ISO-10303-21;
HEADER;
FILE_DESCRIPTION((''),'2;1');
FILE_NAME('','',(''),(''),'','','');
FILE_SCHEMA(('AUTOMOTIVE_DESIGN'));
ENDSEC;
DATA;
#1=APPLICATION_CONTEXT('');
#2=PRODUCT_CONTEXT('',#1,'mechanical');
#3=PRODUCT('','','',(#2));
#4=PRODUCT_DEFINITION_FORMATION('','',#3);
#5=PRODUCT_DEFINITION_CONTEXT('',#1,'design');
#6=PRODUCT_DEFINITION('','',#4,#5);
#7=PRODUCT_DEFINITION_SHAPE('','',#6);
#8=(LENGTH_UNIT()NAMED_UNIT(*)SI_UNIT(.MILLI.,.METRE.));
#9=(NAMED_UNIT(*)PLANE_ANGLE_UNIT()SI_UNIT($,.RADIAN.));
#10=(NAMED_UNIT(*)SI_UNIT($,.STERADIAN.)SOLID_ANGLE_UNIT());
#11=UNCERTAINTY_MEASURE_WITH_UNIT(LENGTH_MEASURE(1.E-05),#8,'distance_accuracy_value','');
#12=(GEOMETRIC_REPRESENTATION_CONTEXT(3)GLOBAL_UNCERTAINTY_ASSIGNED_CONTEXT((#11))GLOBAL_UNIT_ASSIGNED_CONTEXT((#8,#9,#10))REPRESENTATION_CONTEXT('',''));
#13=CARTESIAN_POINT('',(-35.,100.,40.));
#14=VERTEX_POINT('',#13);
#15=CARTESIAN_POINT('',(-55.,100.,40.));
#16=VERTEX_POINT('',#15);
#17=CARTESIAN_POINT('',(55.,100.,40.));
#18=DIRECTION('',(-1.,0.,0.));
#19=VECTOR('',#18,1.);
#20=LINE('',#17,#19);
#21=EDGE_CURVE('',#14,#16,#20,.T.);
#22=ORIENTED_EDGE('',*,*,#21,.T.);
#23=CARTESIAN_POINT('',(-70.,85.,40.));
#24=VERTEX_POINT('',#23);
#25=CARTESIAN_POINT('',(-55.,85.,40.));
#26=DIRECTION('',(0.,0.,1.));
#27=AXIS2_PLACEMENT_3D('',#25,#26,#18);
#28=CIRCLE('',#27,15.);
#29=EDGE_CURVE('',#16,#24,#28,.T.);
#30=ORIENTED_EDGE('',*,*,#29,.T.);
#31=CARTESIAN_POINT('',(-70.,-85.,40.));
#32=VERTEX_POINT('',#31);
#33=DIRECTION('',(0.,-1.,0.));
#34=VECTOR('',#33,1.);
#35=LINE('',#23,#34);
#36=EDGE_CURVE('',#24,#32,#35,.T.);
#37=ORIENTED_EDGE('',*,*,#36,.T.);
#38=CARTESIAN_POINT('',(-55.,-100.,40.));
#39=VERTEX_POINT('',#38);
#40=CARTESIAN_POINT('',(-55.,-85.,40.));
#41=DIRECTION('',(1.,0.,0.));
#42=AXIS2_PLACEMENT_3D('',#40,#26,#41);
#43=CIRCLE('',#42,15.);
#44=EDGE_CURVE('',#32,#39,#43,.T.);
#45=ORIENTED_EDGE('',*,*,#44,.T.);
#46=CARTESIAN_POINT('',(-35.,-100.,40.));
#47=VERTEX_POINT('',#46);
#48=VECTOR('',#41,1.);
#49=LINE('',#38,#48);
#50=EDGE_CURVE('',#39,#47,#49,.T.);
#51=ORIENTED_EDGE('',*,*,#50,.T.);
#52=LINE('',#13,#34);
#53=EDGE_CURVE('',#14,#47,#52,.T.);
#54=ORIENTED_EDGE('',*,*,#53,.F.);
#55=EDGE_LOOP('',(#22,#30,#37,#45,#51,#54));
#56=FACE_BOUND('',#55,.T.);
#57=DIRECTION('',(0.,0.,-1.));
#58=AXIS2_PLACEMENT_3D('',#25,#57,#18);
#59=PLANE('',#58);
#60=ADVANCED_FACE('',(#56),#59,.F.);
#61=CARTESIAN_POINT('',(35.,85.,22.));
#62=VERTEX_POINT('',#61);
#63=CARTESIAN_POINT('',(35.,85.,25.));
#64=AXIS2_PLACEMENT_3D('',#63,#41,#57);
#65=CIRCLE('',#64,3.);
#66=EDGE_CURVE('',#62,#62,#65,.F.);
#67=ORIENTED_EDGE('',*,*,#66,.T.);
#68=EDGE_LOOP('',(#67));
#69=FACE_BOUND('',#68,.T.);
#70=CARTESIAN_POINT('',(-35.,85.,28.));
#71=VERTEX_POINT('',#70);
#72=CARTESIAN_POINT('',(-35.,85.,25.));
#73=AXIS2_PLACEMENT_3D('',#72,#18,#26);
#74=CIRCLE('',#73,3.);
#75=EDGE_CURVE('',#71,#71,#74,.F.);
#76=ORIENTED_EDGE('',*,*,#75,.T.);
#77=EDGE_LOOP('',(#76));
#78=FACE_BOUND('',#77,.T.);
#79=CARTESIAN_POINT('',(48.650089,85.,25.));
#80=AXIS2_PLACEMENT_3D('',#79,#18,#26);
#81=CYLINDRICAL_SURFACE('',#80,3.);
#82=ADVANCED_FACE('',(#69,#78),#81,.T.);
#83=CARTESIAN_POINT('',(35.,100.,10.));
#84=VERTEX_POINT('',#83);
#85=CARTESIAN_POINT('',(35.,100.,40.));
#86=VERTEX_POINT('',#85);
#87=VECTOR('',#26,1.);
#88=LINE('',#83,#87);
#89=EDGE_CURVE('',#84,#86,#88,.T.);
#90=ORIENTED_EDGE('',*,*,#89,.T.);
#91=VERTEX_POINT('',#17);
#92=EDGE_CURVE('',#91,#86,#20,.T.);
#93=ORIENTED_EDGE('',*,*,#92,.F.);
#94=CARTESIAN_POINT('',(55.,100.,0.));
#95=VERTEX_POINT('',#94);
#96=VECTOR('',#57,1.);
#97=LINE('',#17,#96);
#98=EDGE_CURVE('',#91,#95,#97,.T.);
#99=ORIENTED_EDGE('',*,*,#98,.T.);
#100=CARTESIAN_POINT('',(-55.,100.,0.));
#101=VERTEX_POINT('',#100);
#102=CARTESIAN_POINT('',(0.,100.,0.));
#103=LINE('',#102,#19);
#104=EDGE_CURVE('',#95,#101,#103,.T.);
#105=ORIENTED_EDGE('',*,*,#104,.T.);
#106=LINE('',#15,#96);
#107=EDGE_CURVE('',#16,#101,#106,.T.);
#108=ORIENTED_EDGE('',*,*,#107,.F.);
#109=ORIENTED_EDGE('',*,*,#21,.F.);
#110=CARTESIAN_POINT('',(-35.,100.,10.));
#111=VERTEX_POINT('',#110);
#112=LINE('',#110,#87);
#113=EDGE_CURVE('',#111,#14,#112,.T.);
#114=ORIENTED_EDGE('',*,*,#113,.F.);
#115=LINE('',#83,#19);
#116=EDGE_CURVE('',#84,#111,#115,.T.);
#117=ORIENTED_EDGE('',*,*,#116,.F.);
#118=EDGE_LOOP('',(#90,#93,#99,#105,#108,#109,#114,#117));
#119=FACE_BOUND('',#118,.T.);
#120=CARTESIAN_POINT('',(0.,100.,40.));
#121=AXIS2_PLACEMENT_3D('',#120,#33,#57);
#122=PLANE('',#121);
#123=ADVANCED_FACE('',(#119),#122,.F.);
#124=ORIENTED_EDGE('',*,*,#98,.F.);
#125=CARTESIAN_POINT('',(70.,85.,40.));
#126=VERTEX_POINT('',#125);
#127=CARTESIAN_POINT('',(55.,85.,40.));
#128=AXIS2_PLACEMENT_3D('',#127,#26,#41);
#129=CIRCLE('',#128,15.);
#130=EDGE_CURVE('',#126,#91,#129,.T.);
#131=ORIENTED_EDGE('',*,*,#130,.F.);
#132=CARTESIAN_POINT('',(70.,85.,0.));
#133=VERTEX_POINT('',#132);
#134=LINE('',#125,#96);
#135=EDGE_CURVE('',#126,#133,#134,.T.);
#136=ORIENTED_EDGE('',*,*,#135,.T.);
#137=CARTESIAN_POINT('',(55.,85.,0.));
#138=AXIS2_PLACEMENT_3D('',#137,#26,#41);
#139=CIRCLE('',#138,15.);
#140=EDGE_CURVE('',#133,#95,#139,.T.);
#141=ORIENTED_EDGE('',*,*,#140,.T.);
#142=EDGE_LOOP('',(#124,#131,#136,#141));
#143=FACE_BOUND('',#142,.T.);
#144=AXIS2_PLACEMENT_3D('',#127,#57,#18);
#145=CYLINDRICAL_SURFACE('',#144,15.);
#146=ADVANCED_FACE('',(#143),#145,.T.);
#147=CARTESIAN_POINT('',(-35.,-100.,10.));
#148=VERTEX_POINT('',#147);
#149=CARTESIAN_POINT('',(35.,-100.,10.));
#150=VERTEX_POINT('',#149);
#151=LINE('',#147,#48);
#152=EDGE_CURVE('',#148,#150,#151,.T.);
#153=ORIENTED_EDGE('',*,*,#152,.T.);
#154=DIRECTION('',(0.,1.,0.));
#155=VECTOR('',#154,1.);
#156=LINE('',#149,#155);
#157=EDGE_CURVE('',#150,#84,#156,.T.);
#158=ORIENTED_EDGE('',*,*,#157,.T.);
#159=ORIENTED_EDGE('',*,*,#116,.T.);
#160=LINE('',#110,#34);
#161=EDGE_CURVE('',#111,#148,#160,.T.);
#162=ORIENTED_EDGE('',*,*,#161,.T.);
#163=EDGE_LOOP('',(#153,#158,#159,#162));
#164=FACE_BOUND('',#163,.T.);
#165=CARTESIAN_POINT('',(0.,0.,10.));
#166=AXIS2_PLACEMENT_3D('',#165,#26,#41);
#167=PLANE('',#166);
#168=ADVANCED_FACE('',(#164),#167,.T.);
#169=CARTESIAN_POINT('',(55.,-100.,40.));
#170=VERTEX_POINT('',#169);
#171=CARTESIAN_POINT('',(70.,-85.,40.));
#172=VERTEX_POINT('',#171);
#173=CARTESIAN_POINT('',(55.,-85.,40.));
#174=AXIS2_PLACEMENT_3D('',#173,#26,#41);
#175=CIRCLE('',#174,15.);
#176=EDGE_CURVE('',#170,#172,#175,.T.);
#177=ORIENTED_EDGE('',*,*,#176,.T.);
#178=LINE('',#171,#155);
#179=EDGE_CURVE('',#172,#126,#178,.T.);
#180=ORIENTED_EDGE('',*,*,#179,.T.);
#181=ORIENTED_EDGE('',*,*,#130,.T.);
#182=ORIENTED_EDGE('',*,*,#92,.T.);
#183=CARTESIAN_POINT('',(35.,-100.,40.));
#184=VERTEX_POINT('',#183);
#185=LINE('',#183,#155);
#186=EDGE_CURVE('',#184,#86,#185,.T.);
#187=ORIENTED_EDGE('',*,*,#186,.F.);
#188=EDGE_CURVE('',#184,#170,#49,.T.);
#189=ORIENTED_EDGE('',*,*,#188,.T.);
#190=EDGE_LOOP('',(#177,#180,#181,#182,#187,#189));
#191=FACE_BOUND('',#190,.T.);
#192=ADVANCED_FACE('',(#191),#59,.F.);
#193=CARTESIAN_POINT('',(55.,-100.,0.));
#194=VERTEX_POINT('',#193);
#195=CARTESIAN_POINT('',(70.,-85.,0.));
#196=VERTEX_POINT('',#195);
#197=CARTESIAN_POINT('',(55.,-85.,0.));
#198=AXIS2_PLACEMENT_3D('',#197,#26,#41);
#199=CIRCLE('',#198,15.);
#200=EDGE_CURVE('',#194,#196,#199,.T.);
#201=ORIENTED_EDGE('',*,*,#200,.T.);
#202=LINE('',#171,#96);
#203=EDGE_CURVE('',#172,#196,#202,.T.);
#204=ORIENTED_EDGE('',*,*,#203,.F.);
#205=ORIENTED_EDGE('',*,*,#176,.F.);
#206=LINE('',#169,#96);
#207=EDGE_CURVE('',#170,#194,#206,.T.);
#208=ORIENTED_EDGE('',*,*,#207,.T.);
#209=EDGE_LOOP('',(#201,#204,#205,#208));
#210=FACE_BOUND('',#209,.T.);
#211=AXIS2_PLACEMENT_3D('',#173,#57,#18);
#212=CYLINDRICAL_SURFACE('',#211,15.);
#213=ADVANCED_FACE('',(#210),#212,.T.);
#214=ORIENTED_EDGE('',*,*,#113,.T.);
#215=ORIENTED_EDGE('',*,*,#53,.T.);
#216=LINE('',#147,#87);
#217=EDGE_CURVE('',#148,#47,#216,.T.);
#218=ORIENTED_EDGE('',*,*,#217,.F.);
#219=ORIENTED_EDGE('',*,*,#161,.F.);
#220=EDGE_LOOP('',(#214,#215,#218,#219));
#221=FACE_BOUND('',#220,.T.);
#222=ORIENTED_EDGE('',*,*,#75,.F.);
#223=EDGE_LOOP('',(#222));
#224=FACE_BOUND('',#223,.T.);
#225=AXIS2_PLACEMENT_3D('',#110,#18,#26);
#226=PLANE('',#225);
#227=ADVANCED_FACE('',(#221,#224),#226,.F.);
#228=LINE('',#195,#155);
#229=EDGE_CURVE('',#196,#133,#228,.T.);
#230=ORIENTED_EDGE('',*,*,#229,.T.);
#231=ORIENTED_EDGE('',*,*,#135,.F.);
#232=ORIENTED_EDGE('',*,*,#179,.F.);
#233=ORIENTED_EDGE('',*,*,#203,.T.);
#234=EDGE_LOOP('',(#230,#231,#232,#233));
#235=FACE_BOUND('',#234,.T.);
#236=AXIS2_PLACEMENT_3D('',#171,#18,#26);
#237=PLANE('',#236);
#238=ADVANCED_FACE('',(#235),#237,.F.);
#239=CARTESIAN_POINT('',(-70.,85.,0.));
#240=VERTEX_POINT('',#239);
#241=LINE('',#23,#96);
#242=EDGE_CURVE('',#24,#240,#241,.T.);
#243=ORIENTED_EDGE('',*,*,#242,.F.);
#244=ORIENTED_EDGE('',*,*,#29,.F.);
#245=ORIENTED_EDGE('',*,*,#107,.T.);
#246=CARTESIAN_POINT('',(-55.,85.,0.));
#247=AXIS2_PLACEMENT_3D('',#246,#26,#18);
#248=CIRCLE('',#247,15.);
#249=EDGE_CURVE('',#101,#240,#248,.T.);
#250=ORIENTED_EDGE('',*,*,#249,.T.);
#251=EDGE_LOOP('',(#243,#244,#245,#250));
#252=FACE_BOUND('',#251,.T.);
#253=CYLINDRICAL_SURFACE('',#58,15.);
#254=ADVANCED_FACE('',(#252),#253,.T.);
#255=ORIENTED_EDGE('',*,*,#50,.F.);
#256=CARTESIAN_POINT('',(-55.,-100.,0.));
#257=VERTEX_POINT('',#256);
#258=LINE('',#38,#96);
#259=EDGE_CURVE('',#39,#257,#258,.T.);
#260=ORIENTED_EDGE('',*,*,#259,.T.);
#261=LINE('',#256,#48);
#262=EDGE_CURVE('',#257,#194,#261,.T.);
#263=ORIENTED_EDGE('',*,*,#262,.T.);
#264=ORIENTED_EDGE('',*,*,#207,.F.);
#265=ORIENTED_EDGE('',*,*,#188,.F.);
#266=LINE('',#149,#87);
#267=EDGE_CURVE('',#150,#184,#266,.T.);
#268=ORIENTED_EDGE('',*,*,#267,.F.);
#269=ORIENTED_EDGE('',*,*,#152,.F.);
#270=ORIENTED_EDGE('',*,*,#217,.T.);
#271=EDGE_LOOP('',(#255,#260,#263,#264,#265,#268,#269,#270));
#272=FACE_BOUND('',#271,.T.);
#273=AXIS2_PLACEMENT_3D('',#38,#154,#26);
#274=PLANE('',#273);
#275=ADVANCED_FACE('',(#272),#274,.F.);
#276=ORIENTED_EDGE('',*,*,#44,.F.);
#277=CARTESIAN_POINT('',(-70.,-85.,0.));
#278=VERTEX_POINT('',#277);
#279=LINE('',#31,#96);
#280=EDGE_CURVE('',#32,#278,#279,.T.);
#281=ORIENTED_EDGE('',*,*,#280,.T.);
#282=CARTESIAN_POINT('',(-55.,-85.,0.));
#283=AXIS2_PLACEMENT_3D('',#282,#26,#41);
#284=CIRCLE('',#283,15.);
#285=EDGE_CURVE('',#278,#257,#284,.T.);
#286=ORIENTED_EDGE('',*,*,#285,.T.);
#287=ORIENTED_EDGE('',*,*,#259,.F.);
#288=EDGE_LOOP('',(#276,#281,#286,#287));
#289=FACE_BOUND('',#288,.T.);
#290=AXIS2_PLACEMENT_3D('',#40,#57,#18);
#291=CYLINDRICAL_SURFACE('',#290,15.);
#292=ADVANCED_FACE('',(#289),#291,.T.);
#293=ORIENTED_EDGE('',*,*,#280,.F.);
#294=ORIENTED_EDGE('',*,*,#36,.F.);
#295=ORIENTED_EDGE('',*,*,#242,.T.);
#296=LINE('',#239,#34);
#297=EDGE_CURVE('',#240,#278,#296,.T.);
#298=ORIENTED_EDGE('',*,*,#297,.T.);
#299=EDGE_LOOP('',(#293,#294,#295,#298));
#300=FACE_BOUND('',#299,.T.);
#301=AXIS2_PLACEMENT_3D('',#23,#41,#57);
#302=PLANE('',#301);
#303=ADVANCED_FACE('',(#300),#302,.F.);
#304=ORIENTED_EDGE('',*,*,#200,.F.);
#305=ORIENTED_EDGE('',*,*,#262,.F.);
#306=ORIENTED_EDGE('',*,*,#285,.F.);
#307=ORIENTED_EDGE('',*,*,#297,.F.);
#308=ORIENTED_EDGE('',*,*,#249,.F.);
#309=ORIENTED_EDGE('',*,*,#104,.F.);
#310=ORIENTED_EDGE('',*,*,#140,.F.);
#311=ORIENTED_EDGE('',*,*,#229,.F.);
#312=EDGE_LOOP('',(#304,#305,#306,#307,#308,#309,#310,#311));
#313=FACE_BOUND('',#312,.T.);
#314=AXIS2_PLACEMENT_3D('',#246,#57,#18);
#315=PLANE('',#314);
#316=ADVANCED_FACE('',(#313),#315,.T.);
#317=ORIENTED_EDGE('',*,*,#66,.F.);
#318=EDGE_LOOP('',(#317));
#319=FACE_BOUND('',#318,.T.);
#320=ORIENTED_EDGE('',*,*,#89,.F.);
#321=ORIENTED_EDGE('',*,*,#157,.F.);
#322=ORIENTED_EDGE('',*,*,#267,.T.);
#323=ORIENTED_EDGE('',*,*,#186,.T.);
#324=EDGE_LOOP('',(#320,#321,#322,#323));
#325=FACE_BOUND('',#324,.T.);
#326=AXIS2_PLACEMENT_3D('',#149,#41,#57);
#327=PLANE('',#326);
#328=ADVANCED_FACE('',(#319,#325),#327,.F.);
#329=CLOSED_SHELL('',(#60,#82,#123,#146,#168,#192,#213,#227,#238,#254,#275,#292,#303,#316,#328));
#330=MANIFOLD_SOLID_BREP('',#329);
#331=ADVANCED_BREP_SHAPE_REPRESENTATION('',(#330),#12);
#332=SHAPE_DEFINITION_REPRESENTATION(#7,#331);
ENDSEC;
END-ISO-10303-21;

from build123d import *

# Parameters (mm, degrees)
EXTRUDE_1_DEPTH     = 40
CUT_EXTRUDE_1_DEPTH = 30
SKETCH_4_R          = 3
EXTRUDE_2_DEPTH     = 83.650089496


with BuildPart() as part:
    # 草图2 → 凸台-拉伸1 (new body)
    with BuildSketch(Plane.XY):
        with BuildLine():
            Line((0, 100), (-55, 100))
            ThreePointArc((-55, 100), (-65.606601718, 95.606601718), (-70, 85))
            Line((-70, 85), (-70, -85))
            ThreePointArc((-70, -85), (-65.606601718, -95.606601718), (-55, -100))
            Line((-55, -100), (55, -100))
            ThreePointArc((55, -100), (65.606601718, -95.606601718), (70, -85))
            Line((70, -85), (70, 85))
            ThreePointArc((70, 85), (65.606601718, 95.606601718), (55, 100))
            Line((55, 100), (0, 100))
        make_face()
    extrude(amount=EXTRUDE_1_DEPTH)

    # 草图3 → 切除-拉伸1 (cut)
    with BuildSketch(Plane.XY.offset(40)):
        Polygon((0, 100), (-35, 100), (-35, -100), (35, -100), (35, 100), align=None)
    extrude(amount=-CUT_EXTRUDE_1_DEPTH, mode=Mode.SUBTRACT)

    # 草图4 → 凸台-拉伸2 (add)
    with BuildSketch(Plane(origin=(-35, 0, 0), x_dir=(0, 0, -1), z_dir=(1, 0, 0))):
        with Locations(Location((-25, 85, 0), (0, 0, 180))):
            Circle(SKETCH_4_R)
    extrude(amount=EXTRUDE_2_DEPTH)


solid = part.part
